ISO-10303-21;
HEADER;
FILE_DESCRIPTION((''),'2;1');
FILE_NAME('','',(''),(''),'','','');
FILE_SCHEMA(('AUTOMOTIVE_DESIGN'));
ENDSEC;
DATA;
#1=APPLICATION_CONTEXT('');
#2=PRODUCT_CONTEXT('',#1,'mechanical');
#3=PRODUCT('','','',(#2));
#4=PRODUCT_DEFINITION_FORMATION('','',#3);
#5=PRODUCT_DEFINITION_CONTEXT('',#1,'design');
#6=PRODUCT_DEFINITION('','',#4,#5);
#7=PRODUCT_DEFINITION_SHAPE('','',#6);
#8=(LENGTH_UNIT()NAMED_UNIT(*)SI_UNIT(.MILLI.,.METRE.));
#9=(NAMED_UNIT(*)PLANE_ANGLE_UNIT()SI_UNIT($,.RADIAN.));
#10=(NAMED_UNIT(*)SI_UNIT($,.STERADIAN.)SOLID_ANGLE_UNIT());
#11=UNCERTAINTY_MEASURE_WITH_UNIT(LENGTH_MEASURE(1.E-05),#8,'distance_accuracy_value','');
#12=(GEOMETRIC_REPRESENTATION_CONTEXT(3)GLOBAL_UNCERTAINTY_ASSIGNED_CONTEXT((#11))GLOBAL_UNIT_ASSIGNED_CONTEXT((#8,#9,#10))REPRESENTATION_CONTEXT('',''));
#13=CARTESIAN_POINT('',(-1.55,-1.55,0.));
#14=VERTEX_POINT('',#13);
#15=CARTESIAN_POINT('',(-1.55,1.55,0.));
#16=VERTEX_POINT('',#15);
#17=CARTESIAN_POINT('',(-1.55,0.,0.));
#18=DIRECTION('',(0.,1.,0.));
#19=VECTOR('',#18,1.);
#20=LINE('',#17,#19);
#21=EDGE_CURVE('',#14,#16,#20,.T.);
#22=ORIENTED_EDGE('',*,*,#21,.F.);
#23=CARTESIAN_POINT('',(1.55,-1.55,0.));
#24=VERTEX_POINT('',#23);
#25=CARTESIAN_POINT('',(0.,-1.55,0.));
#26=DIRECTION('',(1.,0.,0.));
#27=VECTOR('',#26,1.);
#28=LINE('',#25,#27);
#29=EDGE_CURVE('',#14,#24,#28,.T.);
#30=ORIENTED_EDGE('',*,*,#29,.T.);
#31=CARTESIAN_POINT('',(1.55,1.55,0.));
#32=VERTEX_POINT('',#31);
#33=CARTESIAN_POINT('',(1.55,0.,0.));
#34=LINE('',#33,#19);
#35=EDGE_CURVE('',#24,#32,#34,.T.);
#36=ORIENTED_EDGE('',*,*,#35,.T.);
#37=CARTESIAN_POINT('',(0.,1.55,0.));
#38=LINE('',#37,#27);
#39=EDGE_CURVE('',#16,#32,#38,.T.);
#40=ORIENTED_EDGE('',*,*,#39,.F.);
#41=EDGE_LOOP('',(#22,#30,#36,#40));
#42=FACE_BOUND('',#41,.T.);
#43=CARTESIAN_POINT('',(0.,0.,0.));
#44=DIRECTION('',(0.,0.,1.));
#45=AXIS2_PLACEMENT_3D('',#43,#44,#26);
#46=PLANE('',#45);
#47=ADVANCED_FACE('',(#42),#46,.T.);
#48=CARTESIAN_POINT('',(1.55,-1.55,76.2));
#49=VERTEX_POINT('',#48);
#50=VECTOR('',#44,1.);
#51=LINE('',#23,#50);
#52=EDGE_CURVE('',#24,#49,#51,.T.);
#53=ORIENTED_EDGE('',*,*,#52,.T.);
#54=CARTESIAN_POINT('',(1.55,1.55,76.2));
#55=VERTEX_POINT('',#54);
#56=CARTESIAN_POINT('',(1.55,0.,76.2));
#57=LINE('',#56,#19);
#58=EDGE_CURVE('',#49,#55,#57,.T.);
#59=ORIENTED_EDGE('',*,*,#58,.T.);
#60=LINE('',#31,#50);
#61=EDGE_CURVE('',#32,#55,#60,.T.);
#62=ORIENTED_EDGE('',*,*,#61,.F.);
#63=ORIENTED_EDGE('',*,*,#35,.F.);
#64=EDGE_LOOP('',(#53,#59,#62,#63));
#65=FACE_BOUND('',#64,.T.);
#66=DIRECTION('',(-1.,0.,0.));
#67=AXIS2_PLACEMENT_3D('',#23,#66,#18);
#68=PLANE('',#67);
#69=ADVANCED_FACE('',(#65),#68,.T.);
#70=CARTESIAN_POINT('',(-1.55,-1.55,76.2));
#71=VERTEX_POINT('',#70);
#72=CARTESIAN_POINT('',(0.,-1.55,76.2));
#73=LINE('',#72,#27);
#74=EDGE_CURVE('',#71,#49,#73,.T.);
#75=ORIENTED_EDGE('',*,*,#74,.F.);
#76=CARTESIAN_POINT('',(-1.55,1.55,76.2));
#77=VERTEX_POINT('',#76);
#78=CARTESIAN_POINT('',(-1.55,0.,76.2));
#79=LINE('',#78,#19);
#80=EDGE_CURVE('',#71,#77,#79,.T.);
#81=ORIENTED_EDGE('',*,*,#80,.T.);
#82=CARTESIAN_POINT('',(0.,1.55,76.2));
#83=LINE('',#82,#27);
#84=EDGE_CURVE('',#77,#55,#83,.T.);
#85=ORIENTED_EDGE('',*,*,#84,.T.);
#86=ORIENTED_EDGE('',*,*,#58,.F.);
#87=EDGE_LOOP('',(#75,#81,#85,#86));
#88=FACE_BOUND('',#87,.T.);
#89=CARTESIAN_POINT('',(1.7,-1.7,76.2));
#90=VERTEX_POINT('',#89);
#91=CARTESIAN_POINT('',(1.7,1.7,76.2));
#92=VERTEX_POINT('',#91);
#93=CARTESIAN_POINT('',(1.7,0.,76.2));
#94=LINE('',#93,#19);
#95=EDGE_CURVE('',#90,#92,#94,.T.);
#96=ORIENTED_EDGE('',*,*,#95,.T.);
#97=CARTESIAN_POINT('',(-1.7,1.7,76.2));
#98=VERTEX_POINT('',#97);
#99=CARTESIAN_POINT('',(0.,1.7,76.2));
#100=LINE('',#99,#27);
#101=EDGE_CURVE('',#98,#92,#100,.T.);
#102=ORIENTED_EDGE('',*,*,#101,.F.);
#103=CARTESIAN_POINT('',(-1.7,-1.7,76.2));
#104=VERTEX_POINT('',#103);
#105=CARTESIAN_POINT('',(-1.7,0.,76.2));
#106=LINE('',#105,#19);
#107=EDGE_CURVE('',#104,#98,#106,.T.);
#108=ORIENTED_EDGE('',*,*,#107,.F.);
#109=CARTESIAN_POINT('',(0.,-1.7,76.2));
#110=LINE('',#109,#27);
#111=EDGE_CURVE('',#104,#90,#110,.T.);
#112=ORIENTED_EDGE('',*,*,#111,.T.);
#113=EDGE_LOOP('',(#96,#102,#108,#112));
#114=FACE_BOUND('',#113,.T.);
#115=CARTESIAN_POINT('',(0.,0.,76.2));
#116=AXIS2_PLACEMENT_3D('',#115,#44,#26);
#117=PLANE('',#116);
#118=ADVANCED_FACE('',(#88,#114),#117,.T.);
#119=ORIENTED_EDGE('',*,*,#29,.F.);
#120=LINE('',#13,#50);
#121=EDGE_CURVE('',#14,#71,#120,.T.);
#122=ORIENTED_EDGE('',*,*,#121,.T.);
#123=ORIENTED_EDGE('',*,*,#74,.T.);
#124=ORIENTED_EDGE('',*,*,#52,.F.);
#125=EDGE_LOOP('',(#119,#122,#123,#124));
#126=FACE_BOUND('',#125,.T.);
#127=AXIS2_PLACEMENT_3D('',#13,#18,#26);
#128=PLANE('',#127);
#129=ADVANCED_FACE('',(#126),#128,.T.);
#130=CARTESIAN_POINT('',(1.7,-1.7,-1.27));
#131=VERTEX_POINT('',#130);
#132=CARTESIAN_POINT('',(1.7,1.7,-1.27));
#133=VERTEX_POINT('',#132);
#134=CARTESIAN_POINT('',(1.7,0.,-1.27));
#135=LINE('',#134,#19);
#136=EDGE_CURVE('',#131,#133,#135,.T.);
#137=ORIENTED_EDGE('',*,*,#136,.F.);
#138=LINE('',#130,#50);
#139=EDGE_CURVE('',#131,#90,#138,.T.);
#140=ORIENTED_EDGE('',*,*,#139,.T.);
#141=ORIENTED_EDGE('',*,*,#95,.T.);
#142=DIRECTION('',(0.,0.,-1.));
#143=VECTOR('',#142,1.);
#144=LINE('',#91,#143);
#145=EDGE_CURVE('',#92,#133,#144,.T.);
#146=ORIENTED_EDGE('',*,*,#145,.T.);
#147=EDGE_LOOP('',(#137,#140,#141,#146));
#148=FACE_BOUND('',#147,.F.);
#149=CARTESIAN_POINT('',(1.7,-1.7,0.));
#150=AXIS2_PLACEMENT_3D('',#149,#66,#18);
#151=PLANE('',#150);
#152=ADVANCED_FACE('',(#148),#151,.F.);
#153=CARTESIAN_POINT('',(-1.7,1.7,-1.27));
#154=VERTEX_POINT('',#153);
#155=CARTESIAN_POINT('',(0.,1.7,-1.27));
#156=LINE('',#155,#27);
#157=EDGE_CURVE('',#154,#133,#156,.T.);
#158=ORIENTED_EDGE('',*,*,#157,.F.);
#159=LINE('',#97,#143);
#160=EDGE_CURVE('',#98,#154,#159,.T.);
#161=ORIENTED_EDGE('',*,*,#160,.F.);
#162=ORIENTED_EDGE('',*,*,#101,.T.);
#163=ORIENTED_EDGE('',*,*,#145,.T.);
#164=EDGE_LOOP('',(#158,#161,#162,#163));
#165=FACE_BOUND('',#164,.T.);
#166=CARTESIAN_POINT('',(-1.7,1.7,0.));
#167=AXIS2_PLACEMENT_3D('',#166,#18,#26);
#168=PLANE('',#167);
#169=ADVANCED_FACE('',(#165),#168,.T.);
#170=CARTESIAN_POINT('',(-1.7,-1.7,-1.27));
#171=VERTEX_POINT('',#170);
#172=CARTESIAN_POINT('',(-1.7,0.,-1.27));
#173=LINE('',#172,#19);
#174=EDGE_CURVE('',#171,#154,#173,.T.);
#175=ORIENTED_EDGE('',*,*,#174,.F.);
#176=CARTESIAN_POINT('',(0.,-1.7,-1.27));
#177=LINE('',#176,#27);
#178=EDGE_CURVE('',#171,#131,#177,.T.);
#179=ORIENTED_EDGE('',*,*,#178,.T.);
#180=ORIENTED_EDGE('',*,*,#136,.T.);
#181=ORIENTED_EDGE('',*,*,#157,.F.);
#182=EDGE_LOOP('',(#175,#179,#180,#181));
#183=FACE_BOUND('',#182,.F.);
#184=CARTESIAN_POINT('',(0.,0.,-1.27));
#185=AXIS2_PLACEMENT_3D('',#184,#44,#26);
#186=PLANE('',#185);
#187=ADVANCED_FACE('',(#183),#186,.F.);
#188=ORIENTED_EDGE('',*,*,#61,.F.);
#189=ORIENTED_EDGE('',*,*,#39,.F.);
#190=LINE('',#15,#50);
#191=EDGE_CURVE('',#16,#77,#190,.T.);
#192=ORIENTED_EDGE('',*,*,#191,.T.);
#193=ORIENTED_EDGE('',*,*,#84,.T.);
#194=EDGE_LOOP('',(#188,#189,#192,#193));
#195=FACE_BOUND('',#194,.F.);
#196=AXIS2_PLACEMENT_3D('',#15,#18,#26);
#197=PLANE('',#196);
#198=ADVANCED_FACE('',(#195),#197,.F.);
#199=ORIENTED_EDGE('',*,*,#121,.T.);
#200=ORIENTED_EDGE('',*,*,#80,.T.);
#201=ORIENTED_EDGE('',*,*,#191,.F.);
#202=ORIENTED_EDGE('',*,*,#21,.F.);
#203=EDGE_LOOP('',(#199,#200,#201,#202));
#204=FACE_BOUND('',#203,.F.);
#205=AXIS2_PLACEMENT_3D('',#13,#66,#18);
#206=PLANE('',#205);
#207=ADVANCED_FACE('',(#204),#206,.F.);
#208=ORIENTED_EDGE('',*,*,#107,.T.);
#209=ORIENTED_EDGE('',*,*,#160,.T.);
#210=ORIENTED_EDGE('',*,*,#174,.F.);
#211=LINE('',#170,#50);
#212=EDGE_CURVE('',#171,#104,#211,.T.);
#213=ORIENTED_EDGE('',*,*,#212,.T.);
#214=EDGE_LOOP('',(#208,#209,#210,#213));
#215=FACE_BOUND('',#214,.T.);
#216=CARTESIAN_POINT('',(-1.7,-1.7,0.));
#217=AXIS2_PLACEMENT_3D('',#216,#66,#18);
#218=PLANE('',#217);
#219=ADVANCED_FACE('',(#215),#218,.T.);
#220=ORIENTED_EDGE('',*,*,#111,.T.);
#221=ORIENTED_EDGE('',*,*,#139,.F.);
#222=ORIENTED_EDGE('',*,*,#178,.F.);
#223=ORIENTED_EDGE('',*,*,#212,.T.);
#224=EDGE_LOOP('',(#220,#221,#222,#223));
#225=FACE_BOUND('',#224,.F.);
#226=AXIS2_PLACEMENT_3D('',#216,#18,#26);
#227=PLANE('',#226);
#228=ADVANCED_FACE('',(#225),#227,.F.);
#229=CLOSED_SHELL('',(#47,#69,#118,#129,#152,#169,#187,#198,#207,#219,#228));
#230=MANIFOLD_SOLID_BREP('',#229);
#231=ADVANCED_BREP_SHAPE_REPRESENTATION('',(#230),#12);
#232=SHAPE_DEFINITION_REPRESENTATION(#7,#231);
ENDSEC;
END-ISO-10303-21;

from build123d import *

# Parameters (mm, degrees)
F0_W     = 3.4
F0_H     = 3.4
F0_W_2   = 3.1
F0_H_2   = 3.1
F1_DEPTH = 1.27
F2_DEPTH = 76.2


with BuildPart() as f1:
    # F0 (on Top) → F1 (new body)
    with BuildSketch(Plane.XY):
        Rectangle(F0_W, F0_H)
        Rectangle(F0_W_2, F0_H_2, mode=Mode.SUBTRACT)
        Rectangle(F0_W_2, F0_H_2)
    extrude(amount=-F1_DEPTH)

    # F0 (on Top) → F2 (join)
    with BuildSketch(Plane.XY):
        Rectangle(F0_W, F0_H)
        Rectangle(F0_W_2, F0_H_2, mode=Mode.SUBTRACT)
    extrude(amount=F2_DEPTH)


solid = f1.part
